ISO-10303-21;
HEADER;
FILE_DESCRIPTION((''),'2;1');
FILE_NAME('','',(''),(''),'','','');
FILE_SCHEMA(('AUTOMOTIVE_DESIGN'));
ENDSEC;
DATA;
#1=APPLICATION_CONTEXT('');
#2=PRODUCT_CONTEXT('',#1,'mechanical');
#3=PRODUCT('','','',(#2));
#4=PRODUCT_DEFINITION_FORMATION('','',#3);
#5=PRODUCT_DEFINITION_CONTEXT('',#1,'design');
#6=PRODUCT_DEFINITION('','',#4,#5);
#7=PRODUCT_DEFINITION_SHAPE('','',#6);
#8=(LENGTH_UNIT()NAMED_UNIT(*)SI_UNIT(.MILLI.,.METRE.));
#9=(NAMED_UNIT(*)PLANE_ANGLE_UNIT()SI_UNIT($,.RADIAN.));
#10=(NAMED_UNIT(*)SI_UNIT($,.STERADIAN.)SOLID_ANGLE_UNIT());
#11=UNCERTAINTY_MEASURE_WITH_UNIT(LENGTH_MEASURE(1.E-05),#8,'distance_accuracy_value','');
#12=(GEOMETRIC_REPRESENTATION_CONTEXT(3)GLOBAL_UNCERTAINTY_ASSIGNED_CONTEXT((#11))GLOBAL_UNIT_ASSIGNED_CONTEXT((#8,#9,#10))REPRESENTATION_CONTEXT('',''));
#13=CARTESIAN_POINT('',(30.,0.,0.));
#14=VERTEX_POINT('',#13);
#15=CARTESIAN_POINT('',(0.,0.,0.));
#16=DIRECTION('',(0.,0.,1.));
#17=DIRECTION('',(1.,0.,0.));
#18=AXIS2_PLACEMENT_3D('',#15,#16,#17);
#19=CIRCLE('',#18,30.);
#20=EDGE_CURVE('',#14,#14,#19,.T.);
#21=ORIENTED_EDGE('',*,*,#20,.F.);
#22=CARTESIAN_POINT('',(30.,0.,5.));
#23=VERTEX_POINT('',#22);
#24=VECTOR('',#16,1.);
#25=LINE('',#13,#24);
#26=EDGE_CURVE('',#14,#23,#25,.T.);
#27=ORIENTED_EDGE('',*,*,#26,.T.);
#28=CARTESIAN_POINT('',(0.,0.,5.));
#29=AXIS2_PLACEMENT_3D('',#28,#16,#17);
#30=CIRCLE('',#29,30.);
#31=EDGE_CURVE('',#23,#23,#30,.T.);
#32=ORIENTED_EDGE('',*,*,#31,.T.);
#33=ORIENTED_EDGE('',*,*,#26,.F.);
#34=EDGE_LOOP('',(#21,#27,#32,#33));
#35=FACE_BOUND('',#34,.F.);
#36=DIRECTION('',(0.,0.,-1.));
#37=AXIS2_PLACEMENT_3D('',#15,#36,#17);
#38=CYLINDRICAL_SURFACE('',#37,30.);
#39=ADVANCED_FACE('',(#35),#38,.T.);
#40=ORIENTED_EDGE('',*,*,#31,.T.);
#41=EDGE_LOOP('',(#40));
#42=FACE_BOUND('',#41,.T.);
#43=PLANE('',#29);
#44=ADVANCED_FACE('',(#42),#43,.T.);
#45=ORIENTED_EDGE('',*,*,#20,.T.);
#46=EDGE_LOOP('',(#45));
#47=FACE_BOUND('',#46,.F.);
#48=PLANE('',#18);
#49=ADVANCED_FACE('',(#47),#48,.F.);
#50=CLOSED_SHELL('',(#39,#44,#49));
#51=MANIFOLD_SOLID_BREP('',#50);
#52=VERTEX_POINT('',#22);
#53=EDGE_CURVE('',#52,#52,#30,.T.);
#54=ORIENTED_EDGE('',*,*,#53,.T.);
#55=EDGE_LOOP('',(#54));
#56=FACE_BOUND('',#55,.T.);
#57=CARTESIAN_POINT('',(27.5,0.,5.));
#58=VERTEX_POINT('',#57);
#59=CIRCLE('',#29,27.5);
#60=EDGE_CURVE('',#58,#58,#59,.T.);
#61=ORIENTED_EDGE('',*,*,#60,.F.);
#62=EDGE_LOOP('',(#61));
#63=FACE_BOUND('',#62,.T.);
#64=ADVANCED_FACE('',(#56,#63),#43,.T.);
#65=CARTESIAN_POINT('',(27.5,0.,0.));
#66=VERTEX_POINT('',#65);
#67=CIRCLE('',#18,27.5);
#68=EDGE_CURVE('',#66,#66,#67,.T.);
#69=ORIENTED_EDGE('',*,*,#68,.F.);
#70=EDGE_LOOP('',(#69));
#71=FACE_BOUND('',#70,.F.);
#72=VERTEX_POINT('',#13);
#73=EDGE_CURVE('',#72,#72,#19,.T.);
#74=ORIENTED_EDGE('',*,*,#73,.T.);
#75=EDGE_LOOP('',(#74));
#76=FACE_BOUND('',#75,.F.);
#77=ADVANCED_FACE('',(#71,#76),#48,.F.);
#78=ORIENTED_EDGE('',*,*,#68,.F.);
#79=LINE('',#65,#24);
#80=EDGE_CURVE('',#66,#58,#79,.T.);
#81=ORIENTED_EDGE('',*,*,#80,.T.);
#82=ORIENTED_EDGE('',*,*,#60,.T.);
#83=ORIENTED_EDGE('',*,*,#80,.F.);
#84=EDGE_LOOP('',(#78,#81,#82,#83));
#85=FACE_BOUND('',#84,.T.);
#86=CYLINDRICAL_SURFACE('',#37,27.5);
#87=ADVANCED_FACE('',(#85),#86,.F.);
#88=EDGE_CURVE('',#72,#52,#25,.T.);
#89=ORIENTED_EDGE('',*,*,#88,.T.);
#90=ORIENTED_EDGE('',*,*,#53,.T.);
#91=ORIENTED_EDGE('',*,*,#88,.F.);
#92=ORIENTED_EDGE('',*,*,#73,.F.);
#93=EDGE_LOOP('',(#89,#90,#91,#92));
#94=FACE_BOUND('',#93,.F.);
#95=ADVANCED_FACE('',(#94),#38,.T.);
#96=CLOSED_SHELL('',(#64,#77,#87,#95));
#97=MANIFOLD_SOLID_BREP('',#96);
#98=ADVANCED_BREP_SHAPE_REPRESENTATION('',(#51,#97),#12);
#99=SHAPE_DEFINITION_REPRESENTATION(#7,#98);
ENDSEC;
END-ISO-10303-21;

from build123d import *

# Parameters (mm, degrees)
F0_R     = 30
F0_R_2   = 27.5
F2_DEPTH = 5
F1_R     = 30


with BuildPart() as f2:
    # F0 (on Top) → F2 (new body)
    with BuildSketch(Plane.XY):
        Circle(F0_R)
        Circle(F0_R_2, mode=Mode.SUBTRACT)
    extrude(amount=F2_DEPTH)


with BuildPart() as f2b:
    # F1 (on Top) → F2, piece 2 (new body)
    with BuildSketch(Plane.XY):
        Circle(F1_R)
    extrude(amount=F2_DEPTH)


solid = Compound([f2.part, f2b.part])
